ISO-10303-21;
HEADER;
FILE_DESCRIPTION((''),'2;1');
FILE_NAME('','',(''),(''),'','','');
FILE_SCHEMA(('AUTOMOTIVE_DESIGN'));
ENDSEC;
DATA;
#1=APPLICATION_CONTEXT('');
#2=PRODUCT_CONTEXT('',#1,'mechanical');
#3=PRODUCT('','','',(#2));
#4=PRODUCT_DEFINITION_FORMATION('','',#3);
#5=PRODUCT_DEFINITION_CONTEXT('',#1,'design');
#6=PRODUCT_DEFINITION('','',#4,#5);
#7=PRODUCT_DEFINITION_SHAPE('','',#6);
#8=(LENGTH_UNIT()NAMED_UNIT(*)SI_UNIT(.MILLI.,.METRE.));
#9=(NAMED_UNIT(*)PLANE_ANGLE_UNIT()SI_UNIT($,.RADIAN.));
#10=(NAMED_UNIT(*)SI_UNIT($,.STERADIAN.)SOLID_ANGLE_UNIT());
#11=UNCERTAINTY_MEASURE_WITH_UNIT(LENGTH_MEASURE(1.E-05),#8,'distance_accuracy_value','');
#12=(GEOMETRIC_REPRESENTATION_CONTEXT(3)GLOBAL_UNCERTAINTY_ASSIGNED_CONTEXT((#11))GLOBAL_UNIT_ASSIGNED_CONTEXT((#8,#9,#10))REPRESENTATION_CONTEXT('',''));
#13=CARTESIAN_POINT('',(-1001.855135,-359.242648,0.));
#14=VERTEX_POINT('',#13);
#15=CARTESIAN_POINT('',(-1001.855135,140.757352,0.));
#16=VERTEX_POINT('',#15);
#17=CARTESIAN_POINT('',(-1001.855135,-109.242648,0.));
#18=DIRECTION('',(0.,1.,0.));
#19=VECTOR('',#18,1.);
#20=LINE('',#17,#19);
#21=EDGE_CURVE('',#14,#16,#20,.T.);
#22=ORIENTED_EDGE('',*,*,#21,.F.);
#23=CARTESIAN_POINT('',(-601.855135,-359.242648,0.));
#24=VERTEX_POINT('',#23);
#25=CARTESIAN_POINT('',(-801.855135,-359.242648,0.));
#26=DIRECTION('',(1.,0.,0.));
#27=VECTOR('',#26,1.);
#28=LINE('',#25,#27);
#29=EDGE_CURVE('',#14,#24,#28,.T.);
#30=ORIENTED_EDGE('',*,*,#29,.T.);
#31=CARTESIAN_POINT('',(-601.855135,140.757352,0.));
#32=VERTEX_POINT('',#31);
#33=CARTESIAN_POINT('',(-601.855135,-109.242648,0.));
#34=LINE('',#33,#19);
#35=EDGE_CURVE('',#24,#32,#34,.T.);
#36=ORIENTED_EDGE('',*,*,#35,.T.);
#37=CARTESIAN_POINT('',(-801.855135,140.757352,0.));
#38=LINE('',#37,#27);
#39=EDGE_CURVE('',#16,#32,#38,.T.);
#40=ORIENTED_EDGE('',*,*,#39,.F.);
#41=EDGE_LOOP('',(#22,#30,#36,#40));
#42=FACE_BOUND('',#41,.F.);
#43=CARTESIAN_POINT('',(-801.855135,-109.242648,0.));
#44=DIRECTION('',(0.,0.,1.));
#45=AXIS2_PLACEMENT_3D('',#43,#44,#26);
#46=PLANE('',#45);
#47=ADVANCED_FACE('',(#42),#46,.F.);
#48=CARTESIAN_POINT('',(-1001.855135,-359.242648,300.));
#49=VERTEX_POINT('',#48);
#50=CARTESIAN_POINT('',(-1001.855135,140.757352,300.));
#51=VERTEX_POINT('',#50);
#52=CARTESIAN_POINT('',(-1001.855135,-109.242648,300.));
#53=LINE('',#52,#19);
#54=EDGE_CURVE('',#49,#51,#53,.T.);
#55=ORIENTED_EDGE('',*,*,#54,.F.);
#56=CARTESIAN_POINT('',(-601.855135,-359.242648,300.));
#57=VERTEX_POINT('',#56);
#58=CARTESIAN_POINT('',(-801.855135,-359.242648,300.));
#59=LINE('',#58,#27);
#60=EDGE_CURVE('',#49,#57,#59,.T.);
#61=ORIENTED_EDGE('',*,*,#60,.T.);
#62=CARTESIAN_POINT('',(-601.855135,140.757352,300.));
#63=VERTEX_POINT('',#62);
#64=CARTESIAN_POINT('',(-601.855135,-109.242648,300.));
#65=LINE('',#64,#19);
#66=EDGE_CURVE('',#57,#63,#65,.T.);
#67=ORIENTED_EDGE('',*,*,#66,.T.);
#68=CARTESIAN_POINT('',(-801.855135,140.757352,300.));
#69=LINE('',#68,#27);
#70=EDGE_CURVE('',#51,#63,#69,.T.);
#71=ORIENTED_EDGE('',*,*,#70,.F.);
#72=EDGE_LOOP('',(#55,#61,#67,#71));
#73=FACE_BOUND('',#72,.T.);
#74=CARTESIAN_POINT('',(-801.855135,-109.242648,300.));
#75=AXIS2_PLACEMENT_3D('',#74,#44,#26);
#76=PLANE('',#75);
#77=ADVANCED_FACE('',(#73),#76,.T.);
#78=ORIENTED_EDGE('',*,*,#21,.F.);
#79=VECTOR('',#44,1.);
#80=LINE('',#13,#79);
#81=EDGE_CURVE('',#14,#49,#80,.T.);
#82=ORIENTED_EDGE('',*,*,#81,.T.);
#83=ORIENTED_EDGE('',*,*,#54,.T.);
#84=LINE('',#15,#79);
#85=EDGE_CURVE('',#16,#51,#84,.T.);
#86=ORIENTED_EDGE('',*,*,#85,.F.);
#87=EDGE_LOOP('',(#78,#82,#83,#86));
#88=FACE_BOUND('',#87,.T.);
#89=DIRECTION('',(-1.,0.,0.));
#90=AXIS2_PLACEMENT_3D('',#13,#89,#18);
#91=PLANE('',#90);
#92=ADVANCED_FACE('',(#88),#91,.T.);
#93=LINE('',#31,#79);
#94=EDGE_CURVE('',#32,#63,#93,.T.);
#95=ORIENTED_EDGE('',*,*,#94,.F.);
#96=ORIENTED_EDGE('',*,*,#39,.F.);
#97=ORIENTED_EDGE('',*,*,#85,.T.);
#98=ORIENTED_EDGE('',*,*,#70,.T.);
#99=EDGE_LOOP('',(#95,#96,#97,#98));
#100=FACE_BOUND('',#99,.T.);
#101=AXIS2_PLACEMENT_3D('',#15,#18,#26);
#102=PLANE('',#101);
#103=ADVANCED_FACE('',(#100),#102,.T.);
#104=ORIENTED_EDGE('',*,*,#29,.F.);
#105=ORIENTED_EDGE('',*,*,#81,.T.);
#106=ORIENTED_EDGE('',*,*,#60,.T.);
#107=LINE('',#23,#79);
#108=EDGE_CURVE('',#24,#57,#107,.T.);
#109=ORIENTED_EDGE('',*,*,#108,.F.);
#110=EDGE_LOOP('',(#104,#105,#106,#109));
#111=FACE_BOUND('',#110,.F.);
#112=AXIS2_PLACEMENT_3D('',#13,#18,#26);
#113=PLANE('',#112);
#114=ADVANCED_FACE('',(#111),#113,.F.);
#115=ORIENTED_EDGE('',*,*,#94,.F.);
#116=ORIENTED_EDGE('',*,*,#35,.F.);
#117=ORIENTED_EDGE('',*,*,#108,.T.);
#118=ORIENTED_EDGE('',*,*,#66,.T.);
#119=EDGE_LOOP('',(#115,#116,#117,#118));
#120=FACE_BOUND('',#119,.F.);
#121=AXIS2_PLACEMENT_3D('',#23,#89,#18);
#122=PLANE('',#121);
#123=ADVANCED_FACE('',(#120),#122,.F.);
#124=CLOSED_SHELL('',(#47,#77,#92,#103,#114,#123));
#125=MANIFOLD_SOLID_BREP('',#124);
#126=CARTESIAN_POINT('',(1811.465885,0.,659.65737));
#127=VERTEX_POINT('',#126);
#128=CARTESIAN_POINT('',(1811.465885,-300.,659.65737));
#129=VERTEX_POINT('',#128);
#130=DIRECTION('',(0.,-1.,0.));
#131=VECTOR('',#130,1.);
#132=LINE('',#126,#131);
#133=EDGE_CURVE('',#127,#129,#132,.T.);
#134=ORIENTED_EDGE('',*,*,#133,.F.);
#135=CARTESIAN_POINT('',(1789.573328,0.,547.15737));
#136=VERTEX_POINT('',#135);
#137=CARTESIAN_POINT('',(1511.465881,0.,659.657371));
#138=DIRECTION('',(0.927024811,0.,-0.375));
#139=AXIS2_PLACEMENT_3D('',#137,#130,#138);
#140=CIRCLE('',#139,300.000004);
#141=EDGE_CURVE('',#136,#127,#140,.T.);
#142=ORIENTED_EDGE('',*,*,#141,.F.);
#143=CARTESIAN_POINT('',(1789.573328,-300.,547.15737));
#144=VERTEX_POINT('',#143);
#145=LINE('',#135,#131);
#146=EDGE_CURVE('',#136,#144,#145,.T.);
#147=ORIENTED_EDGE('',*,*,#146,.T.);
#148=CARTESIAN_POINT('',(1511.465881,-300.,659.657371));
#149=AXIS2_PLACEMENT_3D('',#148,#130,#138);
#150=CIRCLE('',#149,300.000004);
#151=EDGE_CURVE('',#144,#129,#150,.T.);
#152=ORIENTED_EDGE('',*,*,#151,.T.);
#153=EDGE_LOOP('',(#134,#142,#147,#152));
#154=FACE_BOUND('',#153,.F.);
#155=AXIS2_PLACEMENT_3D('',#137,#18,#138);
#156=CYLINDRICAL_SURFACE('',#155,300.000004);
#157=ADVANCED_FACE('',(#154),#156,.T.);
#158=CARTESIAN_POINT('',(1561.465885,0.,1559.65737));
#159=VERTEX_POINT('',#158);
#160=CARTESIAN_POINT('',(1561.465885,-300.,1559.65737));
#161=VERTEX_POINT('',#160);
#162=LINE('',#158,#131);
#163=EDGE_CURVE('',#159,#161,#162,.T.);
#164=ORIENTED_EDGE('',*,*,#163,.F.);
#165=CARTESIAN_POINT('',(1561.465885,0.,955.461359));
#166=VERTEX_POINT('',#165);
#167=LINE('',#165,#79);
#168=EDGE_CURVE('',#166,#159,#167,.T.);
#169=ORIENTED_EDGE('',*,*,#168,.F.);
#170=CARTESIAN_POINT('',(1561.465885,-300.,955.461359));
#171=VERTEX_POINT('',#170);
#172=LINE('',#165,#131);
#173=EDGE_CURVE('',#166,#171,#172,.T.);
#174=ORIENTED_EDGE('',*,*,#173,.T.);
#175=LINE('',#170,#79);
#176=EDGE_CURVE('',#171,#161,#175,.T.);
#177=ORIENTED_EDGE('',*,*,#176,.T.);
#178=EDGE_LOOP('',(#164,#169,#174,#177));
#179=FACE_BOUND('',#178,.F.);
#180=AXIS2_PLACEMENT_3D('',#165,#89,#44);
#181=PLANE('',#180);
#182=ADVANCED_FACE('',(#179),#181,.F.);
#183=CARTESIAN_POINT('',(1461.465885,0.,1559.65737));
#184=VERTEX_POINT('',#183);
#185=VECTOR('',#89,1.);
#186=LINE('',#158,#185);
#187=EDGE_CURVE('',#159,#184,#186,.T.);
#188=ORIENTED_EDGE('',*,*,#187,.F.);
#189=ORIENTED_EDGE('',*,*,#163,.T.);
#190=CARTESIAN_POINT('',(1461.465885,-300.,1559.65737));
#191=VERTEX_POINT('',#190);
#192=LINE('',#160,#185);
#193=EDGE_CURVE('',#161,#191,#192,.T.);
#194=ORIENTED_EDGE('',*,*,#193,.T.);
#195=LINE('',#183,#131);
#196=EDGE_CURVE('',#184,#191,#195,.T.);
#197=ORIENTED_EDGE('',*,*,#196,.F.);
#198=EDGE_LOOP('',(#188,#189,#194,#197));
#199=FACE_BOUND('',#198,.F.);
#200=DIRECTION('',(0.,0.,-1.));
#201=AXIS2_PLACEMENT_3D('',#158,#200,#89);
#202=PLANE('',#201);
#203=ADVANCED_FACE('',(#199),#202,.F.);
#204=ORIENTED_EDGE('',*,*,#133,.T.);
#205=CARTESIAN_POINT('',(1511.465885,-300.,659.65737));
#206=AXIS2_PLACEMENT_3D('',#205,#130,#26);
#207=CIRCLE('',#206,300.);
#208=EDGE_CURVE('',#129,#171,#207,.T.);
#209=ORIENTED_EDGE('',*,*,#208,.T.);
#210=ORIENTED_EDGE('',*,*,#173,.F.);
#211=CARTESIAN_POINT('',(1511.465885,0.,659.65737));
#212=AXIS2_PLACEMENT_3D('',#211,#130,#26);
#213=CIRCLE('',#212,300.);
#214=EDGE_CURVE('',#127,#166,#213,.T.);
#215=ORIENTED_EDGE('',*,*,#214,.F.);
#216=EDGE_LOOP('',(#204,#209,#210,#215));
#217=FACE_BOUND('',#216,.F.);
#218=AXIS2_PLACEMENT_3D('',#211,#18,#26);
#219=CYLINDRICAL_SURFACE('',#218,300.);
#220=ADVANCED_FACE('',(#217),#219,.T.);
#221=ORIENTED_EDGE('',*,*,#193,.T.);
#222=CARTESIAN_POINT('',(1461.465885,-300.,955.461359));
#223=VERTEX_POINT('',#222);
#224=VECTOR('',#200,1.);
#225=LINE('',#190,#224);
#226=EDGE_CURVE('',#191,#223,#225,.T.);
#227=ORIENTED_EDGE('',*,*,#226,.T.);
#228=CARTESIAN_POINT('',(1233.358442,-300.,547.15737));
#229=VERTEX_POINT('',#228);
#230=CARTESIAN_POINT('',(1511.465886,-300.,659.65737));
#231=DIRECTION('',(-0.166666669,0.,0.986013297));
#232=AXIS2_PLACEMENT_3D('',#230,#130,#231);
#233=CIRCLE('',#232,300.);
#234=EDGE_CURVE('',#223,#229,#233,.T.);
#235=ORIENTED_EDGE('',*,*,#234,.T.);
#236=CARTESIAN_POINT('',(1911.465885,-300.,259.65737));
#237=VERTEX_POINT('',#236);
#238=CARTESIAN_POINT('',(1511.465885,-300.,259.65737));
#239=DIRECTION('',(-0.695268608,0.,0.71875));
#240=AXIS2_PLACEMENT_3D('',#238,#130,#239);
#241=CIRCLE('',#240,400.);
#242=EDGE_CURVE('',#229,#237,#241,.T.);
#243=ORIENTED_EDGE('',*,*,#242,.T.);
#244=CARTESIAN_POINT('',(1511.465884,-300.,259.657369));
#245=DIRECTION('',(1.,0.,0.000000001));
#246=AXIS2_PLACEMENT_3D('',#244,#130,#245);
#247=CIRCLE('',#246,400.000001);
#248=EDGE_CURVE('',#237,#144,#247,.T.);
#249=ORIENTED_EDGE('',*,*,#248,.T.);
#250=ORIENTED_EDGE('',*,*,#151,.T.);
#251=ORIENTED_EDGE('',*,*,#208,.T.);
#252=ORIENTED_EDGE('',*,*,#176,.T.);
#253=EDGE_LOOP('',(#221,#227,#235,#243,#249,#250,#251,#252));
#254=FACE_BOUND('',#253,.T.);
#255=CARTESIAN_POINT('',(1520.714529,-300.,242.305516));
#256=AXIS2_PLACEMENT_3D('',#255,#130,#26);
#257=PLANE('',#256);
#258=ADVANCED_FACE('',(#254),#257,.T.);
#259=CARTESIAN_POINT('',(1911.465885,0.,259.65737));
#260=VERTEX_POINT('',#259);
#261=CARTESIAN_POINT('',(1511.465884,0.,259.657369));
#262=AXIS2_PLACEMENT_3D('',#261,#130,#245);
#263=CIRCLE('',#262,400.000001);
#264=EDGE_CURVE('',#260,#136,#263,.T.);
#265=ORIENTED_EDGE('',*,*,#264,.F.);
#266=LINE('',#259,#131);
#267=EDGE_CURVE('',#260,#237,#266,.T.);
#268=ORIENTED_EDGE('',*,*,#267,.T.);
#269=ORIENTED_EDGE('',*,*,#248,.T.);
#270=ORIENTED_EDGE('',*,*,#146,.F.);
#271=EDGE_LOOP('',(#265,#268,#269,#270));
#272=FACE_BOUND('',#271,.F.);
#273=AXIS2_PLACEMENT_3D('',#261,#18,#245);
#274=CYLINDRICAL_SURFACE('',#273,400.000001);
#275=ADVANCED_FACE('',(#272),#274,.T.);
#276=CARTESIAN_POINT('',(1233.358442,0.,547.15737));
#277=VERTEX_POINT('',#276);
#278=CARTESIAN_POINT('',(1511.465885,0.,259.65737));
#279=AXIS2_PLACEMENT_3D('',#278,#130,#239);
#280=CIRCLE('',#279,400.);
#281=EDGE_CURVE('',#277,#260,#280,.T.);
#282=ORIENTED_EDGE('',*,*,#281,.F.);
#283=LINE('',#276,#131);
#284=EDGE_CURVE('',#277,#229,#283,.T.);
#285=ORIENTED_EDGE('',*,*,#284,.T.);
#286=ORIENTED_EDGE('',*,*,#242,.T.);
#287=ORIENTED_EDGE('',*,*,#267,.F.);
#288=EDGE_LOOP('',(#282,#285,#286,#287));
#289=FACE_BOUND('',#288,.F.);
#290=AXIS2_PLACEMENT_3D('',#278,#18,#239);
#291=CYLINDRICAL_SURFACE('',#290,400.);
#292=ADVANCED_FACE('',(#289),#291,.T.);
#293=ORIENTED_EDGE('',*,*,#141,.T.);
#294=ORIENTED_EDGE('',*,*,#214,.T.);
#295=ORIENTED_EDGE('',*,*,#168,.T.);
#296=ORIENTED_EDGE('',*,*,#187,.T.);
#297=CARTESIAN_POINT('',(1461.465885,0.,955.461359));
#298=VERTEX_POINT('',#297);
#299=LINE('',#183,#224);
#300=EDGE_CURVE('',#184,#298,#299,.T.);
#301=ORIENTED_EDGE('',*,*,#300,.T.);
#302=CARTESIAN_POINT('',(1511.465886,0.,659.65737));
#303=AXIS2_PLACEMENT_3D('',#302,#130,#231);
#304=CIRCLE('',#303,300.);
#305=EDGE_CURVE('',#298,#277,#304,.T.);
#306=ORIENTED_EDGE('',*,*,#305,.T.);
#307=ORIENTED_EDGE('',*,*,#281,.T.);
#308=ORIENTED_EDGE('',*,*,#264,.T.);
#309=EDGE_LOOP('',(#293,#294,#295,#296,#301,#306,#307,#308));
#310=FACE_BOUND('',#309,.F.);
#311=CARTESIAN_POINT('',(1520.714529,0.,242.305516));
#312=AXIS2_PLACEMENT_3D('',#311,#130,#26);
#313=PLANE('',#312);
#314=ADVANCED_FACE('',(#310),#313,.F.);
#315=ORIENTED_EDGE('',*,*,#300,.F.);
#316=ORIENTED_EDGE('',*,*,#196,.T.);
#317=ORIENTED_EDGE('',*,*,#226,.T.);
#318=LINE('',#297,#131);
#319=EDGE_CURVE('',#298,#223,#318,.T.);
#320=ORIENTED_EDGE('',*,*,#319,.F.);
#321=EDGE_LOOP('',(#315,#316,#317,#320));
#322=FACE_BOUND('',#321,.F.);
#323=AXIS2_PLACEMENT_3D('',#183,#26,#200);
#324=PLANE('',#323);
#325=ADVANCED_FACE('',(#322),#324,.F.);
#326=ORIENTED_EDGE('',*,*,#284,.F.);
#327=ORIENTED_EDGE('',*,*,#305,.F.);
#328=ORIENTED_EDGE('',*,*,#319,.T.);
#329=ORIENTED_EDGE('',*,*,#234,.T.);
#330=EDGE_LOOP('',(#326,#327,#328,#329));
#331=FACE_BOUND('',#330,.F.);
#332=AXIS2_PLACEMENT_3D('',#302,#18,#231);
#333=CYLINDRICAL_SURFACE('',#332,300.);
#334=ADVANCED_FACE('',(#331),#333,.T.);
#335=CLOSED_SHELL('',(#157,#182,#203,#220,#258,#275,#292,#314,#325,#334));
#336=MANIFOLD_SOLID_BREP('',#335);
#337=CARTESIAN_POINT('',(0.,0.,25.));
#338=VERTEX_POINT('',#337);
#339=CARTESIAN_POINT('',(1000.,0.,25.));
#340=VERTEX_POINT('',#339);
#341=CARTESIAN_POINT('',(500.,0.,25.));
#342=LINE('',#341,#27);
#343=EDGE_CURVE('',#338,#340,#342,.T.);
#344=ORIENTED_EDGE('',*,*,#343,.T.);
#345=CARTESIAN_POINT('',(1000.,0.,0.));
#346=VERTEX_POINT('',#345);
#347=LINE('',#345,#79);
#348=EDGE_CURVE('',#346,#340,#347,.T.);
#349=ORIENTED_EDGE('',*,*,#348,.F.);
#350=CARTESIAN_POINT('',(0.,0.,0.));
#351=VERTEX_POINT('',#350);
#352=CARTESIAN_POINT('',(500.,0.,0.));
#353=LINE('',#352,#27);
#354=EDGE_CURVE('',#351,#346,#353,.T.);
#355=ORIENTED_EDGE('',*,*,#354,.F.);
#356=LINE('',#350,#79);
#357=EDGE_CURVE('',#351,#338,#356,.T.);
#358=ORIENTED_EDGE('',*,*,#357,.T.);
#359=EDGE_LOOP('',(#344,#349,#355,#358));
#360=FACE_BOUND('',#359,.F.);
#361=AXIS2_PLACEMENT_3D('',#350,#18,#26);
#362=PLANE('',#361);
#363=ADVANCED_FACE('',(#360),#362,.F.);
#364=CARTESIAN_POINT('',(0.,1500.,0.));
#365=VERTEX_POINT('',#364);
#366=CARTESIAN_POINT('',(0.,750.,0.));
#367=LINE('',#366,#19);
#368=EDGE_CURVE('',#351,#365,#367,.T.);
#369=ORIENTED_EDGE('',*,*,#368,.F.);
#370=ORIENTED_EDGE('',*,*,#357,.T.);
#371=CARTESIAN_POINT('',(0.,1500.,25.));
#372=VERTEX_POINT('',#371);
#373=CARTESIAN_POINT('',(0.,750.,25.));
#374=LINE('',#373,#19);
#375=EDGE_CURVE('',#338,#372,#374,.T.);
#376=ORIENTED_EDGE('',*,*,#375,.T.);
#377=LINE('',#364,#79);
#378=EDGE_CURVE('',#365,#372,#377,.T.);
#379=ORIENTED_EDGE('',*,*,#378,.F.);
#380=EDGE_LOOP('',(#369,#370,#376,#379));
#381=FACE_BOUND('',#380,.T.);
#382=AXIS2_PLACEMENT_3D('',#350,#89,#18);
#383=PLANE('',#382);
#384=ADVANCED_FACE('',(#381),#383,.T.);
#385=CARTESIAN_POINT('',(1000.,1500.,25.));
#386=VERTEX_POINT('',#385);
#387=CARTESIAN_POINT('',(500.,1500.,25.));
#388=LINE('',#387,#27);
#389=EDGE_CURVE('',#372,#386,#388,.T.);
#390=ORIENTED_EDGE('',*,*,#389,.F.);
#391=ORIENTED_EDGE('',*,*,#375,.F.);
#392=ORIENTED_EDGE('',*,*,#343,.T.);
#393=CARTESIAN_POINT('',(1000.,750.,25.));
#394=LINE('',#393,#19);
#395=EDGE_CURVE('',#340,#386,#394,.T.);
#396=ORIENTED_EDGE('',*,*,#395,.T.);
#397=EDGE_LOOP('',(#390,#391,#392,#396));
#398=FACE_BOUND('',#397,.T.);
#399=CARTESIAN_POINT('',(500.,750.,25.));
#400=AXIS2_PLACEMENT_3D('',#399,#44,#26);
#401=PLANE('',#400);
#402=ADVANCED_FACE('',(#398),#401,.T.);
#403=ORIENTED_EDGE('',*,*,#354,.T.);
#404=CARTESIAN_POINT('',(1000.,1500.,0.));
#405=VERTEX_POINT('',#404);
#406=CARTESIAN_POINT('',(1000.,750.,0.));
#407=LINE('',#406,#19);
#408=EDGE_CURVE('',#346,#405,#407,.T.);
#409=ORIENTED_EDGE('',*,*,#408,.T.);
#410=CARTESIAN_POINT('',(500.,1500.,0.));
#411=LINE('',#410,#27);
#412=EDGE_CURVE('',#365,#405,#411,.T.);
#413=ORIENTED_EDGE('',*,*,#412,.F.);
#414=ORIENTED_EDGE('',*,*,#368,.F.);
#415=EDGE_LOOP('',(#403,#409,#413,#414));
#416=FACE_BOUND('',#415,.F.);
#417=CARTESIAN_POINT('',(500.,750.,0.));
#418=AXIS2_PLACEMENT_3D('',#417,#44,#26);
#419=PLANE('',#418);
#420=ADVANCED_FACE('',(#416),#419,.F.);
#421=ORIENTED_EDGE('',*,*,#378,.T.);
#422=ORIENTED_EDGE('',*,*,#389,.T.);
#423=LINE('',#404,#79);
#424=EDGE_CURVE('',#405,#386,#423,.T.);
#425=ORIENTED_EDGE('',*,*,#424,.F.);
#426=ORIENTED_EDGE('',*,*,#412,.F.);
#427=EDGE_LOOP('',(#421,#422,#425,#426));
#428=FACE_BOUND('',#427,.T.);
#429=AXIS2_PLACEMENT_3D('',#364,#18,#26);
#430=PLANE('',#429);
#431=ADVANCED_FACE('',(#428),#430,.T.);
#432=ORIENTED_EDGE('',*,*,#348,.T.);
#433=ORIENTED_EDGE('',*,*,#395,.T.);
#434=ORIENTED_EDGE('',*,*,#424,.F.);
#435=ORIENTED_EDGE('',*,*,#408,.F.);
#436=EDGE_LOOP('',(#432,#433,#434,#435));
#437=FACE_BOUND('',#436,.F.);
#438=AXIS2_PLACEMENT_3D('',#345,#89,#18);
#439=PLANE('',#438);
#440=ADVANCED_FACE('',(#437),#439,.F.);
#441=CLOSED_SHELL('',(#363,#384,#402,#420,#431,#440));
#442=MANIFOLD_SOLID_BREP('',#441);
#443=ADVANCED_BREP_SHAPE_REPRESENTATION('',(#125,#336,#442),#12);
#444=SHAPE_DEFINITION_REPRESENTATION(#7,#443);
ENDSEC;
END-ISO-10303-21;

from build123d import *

# Parameters (mm, degrees)
F1_DEPTH = 300
F2_W     = 400
F2_H     = 500
F3_DEPTH = 300
F0_W     = 1000
F0_H     = 1500
F4_DEPTH = 25


with BuildPart() as f1:
    # F5 (on Front) → F1 (new body)
    with BuildSketch(Plane.XZ):
        with BuildLine():
            ThreePointArc((1233.358442, 547.15737), (1355.32969, -108.610859), (1911.465885, 259.65737))
            ThreePointArc((1911.465885, 259.65737), (1879.734114, 415.793565), (1789.573328, 547.15737))
            ThreePointArc((1789.573328, 547.15737), (1511.465885, 359.65737), (1233.358442, 547.15737))
        make_face()
        with BuildLine():
            ThreePointArc((1233.358442, 547.15737), (1511.465885, 659.65737), (1789.573328, 547.15737))
            ThreePointArc((1789.573328, 547.15737), (1805.941888, 602.352191), (1811.465885, 659.65737))
            ThreePointArc((1811.465885, 659.65737), (1740.59467, 853.306537), (1561.465885, 955.461359))
            Line((1561.465885, 955.461359), (1461.465885, 955.461359))
            ThreePointArc((1461.465885, 955.461359), (1249.565789, 805.973259), (1233.358442, 547.15737))
        make_face()
        with BuildLine():
            ThreePointArc((1233.358442, 547.15737), (1511.465885, 359.65737), (1789.573328, 547.15737))
            ThreePointArc((1789.573328, 547.15737), (1511.465885, 659.65737), (1233.358442, 547.15737))
        make_face()
        with BuildLine():
            ThreePointArc((1561.465885, 955.461359), (1511.465885, 959.65737), (1461.465885, 955.461359))
            Line((1461.465885, 955.461359), (1561.465885, 955.461359))
        make_face()
        with BuildLine():
            Line((1461.465885, 1559.65737), (1461.465885, 955.461359))
            ThreePointArc((1461.465885, 955.461359), (1511.465885, 959.65737), (1561.465885, 955.461359))
            Line((1561.465885, 955.461359), (1561.465885, 1559.65737))
            Line((1561.465885, 1559.65737), (1461.465885, 1559.65737))
        make_face()
    extrude(amount=F1_DEPTH)


with BuildPart() as f3:
    # F2 (on Top) → F3 (new body)
    with BuildSketch(Plane.XY):
        with Locations((-801.855135, -109.242648)):
            Rectangle(F2_W, F2_H)
    extrude(amount=F3_DEPTH)


with BuildPart() as f4:
    # F0 (on Top) → F4 (new body)
    with BuildSketch(Plane.XY):
        with Locations((500, 750)):
            Rectangle(F0_W, F0_H)
    extrude(amount=F4_DEPTH)


solid = Compound([f1.part, f3.part, f4.part])
